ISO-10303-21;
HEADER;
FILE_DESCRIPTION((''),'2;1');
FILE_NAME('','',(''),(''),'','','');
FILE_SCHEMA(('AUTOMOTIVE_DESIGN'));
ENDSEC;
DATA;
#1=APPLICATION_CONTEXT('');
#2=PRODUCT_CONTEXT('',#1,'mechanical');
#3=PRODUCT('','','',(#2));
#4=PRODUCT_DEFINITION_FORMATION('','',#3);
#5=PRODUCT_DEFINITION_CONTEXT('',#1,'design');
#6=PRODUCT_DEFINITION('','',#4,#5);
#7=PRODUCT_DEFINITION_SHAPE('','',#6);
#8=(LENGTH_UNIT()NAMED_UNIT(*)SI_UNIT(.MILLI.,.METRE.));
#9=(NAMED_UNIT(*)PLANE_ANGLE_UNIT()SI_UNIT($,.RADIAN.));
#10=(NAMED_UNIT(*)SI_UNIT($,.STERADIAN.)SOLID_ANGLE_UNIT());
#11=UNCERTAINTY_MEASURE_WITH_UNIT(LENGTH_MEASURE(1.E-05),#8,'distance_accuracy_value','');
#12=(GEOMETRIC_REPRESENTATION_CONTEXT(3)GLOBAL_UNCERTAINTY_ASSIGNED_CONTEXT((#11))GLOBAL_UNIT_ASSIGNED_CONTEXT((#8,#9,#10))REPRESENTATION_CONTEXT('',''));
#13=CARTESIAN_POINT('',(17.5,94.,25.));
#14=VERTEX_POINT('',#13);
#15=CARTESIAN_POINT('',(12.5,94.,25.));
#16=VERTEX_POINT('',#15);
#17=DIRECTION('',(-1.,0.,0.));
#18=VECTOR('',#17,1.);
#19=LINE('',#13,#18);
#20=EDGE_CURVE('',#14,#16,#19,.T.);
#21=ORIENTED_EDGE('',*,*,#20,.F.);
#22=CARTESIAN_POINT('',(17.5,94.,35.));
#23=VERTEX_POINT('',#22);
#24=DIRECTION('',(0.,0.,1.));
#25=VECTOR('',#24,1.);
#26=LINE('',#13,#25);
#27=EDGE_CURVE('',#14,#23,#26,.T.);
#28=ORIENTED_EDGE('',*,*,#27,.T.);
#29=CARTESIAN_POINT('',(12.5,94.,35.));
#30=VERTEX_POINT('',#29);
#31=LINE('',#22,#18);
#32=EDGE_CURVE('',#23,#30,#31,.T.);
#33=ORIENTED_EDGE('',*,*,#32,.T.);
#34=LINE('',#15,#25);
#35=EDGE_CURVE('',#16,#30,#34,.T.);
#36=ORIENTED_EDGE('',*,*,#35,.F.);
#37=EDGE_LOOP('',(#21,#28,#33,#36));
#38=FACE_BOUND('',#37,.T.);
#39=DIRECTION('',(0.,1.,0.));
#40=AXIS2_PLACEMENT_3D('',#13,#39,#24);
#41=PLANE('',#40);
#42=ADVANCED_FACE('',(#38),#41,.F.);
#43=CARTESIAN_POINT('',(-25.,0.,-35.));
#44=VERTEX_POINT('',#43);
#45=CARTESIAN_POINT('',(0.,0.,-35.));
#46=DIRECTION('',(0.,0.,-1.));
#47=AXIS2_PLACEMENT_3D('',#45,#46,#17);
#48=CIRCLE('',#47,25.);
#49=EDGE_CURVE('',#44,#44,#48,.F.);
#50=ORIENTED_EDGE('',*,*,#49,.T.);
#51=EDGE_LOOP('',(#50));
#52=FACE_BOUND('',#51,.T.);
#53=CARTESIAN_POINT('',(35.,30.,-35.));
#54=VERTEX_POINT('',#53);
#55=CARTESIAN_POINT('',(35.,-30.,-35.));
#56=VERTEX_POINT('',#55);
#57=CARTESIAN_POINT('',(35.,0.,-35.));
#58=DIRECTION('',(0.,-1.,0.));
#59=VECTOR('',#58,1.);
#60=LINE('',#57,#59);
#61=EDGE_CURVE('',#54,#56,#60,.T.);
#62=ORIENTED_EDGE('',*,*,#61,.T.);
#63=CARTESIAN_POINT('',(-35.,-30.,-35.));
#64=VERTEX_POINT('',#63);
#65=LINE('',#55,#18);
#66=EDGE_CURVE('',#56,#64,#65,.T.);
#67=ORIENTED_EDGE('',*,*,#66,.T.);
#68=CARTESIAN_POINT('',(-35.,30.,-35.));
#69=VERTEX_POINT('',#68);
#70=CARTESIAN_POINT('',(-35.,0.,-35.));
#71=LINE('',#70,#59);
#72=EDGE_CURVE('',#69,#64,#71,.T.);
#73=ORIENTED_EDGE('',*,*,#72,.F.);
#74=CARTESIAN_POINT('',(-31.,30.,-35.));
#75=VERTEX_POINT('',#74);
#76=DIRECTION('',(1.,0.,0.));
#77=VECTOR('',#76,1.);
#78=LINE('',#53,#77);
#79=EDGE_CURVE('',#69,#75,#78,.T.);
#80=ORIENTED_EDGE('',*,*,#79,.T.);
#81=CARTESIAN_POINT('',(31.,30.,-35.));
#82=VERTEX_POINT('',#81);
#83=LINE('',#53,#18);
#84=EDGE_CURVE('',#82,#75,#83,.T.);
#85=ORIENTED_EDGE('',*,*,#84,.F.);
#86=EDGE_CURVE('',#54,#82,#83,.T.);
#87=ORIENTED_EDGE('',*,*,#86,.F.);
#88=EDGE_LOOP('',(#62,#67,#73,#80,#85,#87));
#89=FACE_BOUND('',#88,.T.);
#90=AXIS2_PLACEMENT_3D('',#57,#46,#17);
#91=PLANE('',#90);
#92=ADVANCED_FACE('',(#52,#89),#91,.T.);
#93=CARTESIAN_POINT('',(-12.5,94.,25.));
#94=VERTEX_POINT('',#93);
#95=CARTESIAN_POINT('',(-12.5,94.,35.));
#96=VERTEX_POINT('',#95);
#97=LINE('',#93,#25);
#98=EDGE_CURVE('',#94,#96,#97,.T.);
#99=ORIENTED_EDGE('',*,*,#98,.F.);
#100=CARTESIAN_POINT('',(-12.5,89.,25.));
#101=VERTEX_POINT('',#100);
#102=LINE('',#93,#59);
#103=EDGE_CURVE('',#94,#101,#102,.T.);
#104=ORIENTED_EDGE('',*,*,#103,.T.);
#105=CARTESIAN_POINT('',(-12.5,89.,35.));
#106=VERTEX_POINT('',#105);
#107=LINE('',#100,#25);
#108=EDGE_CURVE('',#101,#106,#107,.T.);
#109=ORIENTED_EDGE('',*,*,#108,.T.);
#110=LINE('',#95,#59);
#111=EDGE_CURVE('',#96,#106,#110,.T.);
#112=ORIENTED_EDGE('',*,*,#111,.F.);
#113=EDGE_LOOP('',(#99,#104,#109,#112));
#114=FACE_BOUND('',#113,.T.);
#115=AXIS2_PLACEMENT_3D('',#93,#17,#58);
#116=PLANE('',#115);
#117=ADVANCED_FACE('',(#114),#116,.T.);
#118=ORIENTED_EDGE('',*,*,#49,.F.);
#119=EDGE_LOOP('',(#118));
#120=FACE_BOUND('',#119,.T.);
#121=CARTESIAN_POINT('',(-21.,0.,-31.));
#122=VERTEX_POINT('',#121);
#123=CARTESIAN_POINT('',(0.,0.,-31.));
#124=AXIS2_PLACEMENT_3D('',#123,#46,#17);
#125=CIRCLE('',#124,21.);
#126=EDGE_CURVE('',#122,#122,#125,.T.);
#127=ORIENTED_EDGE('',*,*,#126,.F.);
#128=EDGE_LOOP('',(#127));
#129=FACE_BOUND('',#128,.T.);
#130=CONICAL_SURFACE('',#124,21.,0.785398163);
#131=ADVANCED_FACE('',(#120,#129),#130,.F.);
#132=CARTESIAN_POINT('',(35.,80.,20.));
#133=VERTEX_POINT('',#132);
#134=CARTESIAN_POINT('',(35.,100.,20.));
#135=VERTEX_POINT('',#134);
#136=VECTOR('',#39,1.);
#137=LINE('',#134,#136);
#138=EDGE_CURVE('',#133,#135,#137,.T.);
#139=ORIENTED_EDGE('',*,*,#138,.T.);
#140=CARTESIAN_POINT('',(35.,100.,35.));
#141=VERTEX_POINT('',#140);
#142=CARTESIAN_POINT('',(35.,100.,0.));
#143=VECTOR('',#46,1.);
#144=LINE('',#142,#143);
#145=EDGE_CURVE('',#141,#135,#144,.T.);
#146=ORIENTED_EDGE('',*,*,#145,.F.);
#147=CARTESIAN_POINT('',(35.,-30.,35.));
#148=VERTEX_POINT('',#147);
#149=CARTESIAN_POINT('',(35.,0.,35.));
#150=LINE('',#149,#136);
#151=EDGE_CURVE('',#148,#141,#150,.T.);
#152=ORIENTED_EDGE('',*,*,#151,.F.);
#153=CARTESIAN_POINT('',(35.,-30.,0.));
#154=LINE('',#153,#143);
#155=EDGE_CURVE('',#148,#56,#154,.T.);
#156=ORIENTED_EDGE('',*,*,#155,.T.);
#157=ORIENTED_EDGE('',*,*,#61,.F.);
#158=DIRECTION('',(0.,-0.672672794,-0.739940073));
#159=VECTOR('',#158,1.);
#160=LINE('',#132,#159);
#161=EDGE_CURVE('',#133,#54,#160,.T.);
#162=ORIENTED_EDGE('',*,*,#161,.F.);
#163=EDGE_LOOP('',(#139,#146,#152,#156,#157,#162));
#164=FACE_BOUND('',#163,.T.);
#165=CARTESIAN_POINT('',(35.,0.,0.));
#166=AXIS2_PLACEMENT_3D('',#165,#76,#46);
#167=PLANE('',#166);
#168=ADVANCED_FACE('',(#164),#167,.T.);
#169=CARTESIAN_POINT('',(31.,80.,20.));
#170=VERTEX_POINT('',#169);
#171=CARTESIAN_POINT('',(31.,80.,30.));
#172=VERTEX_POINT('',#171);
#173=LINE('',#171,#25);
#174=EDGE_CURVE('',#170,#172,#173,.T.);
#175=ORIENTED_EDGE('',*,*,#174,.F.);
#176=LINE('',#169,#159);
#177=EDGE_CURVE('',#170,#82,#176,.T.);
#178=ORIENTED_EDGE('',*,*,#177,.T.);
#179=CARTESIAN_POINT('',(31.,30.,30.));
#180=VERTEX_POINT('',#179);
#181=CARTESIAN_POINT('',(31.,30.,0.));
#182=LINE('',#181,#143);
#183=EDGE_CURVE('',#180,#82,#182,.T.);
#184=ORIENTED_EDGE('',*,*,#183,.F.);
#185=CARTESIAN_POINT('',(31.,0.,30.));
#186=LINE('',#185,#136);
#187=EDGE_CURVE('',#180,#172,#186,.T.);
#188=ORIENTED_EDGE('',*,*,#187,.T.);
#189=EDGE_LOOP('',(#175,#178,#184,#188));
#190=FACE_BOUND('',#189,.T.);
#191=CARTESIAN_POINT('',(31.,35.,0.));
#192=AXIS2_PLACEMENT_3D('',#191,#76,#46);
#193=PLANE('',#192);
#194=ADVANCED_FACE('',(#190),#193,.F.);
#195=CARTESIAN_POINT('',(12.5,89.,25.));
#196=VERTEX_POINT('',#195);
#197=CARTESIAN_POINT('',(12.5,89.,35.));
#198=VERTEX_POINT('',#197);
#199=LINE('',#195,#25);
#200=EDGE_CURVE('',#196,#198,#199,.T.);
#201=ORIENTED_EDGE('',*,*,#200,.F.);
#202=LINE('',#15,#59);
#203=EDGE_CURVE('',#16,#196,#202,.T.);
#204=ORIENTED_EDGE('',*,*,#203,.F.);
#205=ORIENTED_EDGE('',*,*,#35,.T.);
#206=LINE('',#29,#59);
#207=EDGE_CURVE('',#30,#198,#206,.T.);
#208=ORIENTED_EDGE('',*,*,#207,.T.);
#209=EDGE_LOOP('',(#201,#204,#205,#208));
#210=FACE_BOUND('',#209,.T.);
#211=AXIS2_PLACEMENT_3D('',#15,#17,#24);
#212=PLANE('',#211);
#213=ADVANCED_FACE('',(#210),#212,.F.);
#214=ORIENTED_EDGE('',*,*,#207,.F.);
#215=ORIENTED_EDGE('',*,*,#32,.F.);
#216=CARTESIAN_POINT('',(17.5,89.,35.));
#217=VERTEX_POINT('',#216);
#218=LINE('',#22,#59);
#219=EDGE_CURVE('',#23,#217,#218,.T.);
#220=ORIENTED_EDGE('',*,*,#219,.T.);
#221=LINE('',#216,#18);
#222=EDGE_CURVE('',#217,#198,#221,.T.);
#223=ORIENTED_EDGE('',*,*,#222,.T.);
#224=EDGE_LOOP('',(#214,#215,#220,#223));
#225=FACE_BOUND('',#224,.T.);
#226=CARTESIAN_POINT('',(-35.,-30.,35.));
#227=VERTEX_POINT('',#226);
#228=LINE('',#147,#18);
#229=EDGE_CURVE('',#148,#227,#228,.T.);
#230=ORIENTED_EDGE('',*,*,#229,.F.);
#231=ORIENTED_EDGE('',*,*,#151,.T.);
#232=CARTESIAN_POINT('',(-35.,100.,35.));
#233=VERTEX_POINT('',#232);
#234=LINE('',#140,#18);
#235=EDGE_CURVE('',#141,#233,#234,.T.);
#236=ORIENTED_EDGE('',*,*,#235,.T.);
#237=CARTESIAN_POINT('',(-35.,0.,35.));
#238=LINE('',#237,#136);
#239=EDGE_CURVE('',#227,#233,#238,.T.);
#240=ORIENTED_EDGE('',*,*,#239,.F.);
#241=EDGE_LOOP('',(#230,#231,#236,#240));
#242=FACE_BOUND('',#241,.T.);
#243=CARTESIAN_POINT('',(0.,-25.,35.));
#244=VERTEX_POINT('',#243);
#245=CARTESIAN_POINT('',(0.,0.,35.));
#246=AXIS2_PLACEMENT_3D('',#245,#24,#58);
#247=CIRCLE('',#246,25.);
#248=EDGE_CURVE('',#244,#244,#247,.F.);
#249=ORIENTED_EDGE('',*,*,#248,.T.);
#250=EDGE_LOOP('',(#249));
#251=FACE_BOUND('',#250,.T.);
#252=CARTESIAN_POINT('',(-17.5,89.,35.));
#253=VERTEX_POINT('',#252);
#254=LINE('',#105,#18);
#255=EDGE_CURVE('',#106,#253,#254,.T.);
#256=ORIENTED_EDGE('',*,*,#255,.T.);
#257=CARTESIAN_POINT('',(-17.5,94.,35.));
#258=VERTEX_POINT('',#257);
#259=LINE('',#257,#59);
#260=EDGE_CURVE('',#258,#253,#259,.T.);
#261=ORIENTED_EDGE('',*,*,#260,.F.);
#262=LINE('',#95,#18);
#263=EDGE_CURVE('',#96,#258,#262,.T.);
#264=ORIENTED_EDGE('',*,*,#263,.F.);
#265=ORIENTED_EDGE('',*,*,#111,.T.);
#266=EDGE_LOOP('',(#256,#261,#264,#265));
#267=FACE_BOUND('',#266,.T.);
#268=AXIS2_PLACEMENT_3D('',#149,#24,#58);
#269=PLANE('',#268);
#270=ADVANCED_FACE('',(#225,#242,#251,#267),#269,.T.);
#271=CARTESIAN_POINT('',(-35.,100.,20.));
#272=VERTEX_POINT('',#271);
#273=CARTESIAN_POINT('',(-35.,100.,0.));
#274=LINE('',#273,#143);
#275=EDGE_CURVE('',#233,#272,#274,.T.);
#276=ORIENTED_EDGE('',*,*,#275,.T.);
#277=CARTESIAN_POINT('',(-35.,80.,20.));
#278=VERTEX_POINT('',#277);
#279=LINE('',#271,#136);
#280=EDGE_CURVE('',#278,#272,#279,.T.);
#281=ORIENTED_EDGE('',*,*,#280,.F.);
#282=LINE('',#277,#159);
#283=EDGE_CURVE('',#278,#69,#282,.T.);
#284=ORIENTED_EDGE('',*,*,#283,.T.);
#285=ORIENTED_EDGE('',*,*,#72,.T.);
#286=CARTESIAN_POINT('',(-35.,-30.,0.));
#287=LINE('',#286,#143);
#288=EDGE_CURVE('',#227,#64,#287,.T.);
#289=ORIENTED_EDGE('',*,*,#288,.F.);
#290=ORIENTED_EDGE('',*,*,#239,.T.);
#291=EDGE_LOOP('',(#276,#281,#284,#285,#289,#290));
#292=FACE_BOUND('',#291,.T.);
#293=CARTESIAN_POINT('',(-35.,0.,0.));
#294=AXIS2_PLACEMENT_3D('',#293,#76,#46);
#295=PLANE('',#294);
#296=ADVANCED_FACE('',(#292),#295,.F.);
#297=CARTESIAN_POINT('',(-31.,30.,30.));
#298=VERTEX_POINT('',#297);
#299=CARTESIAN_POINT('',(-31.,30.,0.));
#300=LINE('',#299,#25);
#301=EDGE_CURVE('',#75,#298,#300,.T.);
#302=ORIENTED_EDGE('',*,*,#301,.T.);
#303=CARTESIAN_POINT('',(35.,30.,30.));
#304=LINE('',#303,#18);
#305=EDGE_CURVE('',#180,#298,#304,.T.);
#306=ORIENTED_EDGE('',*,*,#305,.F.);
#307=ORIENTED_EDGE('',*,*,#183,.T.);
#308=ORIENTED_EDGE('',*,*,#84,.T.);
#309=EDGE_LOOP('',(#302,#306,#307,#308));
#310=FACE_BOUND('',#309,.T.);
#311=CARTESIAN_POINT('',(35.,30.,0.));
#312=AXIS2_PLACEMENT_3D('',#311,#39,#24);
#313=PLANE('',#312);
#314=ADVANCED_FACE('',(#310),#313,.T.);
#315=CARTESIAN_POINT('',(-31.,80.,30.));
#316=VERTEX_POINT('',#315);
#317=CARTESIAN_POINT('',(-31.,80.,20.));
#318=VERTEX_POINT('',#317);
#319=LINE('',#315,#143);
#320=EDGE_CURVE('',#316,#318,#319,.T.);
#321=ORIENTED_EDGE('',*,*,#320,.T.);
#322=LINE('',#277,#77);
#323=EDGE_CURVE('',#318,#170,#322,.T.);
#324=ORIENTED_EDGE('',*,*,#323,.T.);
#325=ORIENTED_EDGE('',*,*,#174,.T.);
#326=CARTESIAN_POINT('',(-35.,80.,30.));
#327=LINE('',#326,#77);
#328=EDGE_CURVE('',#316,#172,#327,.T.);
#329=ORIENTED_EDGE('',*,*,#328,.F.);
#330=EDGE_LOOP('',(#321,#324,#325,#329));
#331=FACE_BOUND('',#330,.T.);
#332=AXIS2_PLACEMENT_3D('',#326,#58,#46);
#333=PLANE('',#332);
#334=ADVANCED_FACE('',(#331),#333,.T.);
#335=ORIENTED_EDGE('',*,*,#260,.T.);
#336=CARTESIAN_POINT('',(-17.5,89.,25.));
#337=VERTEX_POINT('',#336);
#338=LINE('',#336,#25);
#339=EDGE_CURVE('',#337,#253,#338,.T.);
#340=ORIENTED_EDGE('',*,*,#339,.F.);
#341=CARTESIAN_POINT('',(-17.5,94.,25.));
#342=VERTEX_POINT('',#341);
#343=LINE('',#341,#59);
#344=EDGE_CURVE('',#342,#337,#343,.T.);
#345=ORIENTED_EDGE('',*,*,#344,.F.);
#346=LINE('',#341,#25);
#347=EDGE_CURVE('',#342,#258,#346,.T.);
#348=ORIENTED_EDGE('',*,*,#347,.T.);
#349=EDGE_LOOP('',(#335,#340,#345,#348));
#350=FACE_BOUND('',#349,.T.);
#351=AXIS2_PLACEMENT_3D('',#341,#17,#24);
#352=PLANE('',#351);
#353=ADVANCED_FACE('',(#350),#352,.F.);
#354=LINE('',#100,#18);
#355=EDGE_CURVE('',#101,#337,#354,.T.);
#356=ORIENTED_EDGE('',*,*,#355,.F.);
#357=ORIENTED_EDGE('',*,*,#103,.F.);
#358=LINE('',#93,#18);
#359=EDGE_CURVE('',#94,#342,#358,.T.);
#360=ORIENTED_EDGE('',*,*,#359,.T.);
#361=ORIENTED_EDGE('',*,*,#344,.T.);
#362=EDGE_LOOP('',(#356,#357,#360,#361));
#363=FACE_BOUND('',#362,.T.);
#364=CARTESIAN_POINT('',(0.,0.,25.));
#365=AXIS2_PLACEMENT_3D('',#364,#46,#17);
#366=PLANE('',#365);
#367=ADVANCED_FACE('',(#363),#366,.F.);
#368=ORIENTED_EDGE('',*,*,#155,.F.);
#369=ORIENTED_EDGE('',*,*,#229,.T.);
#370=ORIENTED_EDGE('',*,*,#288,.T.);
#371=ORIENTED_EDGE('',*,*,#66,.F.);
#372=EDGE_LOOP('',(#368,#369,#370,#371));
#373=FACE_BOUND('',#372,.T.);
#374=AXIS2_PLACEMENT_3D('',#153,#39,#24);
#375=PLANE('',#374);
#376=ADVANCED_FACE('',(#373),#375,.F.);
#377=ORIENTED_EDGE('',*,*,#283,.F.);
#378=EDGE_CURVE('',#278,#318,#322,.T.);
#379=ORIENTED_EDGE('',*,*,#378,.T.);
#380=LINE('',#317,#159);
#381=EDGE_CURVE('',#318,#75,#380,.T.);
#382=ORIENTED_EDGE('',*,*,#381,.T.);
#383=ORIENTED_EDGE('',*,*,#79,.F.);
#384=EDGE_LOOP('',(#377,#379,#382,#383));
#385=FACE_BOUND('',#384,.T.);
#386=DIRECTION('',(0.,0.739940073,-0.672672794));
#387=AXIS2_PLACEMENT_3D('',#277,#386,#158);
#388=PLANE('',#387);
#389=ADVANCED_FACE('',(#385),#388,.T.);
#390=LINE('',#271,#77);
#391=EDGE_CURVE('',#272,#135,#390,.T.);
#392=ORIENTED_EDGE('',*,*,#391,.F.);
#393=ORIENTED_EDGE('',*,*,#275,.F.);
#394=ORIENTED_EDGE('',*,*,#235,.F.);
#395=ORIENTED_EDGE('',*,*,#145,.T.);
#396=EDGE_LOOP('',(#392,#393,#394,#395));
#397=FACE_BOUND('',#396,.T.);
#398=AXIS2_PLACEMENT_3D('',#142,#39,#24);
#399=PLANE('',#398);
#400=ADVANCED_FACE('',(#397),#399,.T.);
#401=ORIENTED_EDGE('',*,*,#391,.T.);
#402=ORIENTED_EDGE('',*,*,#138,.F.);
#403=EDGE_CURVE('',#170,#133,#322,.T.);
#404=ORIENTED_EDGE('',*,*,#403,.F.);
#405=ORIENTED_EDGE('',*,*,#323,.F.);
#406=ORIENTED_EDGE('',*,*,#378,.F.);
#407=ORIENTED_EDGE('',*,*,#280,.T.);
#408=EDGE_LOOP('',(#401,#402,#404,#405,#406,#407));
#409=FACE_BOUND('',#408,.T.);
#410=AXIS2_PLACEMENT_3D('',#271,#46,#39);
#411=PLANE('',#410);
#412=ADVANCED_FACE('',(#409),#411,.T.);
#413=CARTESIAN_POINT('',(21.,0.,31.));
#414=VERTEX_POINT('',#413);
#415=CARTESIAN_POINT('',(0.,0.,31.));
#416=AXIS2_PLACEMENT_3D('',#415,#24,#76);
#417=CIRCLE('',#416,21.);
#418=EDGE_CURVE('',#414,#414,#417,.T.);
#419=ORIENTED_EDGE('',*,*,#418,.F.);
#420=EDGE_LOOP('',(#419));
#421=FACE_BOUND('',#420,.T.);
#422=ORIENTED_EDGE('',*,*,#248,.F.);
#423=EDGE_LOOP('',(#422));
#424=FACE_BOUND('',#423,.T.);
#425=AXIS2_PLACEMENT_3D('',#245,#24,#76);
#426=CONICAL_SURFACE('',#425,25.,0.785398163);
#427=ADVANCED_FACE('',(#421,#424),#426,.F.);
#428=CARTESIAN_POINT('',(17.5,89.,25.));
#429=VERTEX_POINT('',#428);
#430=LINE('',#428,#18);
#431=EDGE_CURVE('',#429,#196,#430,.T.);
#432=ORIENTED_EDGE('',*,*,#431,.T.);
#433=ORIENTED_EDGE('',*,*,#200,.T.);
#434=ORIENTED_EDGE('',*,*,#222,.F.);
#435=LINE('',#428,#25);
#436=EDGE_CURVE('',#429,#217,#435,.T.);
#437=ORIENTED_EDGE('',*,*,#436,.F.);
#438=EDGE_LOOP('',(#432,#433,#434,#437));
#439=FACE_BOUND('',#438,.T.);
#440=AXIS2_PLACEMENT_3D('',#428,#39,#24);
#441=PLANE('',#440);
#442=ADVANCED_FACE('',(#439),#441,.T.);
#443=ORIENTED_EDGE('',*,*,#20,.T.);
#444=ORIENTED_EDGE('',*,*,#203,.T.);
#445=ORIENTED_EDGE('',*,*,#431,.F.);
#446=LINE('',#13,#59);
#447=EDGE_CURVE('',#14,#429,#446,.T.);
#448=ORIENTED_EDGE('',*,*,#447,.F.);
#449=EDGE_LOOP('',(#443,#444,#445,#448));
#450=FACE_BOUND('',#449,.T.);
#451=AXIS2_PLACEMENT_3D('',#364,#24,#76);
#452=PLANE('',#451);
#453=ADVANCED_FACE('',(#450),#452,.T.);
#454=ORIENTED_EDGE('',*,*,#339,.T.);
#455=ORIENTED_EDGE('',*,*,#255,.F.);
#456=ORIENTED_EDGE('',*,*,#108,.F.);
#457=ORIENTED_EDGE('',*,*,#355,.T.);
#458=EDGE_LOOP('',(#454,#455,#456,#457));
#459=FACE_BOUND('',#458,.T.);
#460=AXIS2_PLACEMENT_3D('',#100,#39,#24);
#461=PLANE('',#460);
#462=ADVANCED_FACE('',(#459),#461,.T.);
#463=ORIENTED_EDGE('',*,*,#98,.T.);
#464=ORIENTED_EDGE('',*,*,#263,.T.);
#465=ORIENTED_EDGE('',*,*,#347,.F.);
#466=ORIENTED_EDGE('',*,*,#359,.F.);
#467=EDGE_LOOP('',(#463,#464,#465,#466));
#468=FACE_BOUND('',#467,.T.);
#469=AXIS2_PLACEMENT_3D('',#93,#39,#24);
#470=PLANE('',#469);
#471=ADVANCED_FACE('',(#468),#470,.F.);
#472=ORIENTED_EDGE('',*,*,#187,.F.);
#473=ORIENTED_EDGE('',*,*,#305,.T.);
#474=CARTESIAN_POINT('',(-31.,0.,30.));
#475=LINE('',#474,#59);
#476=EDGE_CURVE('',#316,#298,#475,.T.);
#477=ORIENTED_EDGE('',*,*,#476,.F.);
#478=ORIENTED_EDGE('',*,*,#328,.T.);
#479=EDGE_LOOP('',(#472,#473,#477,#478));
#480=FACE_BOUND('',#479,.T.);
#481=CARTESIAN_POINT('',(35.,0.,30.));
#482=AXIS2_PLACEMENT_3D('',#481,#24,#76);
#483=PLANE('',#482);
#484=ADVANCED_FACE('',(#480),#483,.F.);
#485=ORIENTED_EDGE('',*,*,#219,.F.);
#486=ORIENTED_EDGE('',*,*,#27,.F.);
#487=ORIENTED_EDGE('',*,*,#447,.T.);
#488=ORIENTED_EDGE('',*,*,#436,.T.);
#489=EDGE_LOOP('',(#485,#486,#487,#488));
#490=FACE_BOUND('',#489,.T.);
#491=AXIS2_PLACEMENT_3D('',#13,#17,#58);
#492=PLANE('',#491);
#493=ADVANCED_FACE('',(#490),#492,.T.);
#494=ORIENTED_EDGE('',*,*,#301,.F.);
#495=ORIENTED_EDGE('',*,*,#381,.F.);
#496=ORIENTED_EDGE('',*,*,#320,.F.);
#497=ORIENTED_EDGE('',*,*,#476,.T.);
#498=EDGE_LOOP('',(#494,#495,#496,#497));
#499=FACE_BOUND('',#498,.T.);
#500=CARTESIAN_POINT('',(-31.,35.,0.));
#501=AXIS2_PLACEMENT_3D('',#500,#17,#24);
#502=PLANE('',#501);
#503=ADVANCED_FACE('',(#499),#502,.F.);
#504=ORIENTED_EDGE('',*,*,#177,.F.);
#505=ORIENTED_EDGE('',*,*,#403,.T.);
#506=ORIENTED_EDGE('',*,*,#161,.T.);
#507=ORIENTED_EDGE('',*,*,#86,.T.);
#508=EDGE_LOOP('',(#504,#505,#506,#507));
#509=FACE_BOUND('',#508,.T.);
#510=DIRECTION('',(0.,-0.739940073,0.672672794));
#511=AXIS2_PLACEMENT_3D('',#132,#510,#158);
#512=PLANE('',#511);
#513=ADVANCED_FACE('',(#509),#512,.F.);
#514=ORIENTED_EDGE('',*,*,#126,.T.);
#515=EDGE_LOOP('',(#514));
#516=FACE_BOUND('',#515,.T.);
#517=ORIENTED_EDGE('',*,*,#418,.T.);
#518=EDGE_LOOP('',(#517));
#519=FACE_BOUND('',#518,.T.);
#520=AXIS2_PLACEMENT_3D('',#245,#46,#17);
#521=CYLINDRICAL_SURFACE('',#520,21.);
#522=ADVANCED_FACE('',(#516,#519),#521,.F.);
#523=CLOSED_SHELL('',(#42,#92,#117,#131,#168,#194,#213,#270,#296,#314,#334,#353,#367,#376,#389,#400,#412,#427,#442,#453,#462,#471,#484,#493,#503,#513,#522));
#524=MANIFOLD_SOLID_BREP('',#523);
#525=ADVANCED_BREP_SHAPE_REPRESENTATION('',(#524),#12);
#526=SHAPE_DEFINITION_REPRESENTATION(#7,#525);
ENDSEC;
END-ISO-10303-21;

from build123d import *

# Parameters (mm, degrees)
SKETCH1_W           = 5
SKETCH1_H           = 70
SKETCH1_W_2         = 70
SKETCH1_H_2         = 60
BOSS_EXTRUDE1_DEPTH = 35
SKETCH2_R           = 21
CUT_EXTRUDE1_DEPTH  = 127.984250992
CHAMFER1_SIZE       = 4
CHAMFER2_SIZE       = 4
SKETCH9_W           = 10
SKETCH9_H           = 20
BOSS_EXTRUDE2_DEPTH = 70
RIB1_REACH          = 128.984
SKETCH10_WALL_W     = 330.29884572
SKETCH10_WALL_H     = 4
SKETCH11_W          = 5
SKETCH11_H          = 5
CUT_EXTRUDE2_DEPTH  = 10


with BuildPart() as part:
    # Sketch1 → Boss-Extrude1 (new, symmetric)
    with BuildSketch(Plane(origin=(0, 0, 0), x_dir=(0, 0, -1), z_dir=(1, 0, 0))):
        with Locations((-32.5, 65)):
            Rectangle(SKETCH1_W, SKETCH1_H)
        Rectangle(SKETCH1_W_2, SKETCH1_H_2)
    extrude(amount=BOSS_EXTRUDE1_DEPTH, both=True)

    # Sketch2 → Cut-Extrude1 (cut, through all)
    with BuildSketch(Plane(origin=(0, 0, -35), x_dir=(-1, 0, 0), z_dir=(0, 0, -1))):
        Circle(SKETCH2_R)
    extrude(amount=-CUT_EXTRUDE1_DEPTH, mode=Mode.SUBTRACT)

    # Chamfer1
    chamfer1_edges = [part.edges().sort_by_distance(p)[0] for p in [
        (21, 0, 35),
    ]]
    chamfer(chamfer1_edges, length=CHAMFER1_SIZE)

    # Chamfer2
    chamfer2_edges = [part.edges().sort_by_distance(p)[0] for p in [
        (21, 0, -35),
    ]]
    chamfer(chamfer2_edges, length=CHAMFER2_SIZE)

    # Sketch9 → Boss-Extrude2 (add, through all)
    with BuildSketch(Plane(origin=(35, 0, 0), x_dir=(0, 0, -1), z_dir=(1, 0, 0))):
        with Locations((-25, 90)):
            Rectangle(SKETCH9_W, SKETCH9_H)
    extrude(amount=-BOSS_EXTRUDE2_DEPTH)

    # Sketch10 wall → Rib1 (add, up to next)
    with BuildSketch(Plane(origin=(35, 55, -7.5), x_dir=(0, -0.672672793996, -0.739940073396), z_dir=(0, 0.739940073396, -0.672672793996)), mode=Mode.PRIVATE) as rib1_sk1:
        with Locations((0, 2)):
            Rectangle(SKETCH10_WALL_W, SKETCH10_WALL_H)
    rib1_tool1 = extrude(rib1_sk1.sketch, amount=-RIB1_REACH, mode=Mode.PRIVATE) - part.part
    rib1 = rib1_tool1.solids().sort_by_distance((35, 55, -7.5))[0]
    add(rib1)

    # Mirror1: Rib1 across plane
    add(rib1.mirror(Plane(origin=(0, 0, 0), x_dir=(0, 0, 1), z_dir=(1, 0, 0))))

    # Sketch11 → Cut-Extrude2 (cut)
    with BuildSketch(Plane.XY.offset(35)):
        with Locations((15, 91.5)):
            Rectangle(SKETCH11_W, SKETCH11_H)
        with Locations((-15, 91.5)):
            Rectangle(SKETCH11_W, SKETCH11_H)
    extrude(amount=-CUT_EXTRUDE2_DEPTH, mode=Mode.SUBTRACT)


solid = part.part
